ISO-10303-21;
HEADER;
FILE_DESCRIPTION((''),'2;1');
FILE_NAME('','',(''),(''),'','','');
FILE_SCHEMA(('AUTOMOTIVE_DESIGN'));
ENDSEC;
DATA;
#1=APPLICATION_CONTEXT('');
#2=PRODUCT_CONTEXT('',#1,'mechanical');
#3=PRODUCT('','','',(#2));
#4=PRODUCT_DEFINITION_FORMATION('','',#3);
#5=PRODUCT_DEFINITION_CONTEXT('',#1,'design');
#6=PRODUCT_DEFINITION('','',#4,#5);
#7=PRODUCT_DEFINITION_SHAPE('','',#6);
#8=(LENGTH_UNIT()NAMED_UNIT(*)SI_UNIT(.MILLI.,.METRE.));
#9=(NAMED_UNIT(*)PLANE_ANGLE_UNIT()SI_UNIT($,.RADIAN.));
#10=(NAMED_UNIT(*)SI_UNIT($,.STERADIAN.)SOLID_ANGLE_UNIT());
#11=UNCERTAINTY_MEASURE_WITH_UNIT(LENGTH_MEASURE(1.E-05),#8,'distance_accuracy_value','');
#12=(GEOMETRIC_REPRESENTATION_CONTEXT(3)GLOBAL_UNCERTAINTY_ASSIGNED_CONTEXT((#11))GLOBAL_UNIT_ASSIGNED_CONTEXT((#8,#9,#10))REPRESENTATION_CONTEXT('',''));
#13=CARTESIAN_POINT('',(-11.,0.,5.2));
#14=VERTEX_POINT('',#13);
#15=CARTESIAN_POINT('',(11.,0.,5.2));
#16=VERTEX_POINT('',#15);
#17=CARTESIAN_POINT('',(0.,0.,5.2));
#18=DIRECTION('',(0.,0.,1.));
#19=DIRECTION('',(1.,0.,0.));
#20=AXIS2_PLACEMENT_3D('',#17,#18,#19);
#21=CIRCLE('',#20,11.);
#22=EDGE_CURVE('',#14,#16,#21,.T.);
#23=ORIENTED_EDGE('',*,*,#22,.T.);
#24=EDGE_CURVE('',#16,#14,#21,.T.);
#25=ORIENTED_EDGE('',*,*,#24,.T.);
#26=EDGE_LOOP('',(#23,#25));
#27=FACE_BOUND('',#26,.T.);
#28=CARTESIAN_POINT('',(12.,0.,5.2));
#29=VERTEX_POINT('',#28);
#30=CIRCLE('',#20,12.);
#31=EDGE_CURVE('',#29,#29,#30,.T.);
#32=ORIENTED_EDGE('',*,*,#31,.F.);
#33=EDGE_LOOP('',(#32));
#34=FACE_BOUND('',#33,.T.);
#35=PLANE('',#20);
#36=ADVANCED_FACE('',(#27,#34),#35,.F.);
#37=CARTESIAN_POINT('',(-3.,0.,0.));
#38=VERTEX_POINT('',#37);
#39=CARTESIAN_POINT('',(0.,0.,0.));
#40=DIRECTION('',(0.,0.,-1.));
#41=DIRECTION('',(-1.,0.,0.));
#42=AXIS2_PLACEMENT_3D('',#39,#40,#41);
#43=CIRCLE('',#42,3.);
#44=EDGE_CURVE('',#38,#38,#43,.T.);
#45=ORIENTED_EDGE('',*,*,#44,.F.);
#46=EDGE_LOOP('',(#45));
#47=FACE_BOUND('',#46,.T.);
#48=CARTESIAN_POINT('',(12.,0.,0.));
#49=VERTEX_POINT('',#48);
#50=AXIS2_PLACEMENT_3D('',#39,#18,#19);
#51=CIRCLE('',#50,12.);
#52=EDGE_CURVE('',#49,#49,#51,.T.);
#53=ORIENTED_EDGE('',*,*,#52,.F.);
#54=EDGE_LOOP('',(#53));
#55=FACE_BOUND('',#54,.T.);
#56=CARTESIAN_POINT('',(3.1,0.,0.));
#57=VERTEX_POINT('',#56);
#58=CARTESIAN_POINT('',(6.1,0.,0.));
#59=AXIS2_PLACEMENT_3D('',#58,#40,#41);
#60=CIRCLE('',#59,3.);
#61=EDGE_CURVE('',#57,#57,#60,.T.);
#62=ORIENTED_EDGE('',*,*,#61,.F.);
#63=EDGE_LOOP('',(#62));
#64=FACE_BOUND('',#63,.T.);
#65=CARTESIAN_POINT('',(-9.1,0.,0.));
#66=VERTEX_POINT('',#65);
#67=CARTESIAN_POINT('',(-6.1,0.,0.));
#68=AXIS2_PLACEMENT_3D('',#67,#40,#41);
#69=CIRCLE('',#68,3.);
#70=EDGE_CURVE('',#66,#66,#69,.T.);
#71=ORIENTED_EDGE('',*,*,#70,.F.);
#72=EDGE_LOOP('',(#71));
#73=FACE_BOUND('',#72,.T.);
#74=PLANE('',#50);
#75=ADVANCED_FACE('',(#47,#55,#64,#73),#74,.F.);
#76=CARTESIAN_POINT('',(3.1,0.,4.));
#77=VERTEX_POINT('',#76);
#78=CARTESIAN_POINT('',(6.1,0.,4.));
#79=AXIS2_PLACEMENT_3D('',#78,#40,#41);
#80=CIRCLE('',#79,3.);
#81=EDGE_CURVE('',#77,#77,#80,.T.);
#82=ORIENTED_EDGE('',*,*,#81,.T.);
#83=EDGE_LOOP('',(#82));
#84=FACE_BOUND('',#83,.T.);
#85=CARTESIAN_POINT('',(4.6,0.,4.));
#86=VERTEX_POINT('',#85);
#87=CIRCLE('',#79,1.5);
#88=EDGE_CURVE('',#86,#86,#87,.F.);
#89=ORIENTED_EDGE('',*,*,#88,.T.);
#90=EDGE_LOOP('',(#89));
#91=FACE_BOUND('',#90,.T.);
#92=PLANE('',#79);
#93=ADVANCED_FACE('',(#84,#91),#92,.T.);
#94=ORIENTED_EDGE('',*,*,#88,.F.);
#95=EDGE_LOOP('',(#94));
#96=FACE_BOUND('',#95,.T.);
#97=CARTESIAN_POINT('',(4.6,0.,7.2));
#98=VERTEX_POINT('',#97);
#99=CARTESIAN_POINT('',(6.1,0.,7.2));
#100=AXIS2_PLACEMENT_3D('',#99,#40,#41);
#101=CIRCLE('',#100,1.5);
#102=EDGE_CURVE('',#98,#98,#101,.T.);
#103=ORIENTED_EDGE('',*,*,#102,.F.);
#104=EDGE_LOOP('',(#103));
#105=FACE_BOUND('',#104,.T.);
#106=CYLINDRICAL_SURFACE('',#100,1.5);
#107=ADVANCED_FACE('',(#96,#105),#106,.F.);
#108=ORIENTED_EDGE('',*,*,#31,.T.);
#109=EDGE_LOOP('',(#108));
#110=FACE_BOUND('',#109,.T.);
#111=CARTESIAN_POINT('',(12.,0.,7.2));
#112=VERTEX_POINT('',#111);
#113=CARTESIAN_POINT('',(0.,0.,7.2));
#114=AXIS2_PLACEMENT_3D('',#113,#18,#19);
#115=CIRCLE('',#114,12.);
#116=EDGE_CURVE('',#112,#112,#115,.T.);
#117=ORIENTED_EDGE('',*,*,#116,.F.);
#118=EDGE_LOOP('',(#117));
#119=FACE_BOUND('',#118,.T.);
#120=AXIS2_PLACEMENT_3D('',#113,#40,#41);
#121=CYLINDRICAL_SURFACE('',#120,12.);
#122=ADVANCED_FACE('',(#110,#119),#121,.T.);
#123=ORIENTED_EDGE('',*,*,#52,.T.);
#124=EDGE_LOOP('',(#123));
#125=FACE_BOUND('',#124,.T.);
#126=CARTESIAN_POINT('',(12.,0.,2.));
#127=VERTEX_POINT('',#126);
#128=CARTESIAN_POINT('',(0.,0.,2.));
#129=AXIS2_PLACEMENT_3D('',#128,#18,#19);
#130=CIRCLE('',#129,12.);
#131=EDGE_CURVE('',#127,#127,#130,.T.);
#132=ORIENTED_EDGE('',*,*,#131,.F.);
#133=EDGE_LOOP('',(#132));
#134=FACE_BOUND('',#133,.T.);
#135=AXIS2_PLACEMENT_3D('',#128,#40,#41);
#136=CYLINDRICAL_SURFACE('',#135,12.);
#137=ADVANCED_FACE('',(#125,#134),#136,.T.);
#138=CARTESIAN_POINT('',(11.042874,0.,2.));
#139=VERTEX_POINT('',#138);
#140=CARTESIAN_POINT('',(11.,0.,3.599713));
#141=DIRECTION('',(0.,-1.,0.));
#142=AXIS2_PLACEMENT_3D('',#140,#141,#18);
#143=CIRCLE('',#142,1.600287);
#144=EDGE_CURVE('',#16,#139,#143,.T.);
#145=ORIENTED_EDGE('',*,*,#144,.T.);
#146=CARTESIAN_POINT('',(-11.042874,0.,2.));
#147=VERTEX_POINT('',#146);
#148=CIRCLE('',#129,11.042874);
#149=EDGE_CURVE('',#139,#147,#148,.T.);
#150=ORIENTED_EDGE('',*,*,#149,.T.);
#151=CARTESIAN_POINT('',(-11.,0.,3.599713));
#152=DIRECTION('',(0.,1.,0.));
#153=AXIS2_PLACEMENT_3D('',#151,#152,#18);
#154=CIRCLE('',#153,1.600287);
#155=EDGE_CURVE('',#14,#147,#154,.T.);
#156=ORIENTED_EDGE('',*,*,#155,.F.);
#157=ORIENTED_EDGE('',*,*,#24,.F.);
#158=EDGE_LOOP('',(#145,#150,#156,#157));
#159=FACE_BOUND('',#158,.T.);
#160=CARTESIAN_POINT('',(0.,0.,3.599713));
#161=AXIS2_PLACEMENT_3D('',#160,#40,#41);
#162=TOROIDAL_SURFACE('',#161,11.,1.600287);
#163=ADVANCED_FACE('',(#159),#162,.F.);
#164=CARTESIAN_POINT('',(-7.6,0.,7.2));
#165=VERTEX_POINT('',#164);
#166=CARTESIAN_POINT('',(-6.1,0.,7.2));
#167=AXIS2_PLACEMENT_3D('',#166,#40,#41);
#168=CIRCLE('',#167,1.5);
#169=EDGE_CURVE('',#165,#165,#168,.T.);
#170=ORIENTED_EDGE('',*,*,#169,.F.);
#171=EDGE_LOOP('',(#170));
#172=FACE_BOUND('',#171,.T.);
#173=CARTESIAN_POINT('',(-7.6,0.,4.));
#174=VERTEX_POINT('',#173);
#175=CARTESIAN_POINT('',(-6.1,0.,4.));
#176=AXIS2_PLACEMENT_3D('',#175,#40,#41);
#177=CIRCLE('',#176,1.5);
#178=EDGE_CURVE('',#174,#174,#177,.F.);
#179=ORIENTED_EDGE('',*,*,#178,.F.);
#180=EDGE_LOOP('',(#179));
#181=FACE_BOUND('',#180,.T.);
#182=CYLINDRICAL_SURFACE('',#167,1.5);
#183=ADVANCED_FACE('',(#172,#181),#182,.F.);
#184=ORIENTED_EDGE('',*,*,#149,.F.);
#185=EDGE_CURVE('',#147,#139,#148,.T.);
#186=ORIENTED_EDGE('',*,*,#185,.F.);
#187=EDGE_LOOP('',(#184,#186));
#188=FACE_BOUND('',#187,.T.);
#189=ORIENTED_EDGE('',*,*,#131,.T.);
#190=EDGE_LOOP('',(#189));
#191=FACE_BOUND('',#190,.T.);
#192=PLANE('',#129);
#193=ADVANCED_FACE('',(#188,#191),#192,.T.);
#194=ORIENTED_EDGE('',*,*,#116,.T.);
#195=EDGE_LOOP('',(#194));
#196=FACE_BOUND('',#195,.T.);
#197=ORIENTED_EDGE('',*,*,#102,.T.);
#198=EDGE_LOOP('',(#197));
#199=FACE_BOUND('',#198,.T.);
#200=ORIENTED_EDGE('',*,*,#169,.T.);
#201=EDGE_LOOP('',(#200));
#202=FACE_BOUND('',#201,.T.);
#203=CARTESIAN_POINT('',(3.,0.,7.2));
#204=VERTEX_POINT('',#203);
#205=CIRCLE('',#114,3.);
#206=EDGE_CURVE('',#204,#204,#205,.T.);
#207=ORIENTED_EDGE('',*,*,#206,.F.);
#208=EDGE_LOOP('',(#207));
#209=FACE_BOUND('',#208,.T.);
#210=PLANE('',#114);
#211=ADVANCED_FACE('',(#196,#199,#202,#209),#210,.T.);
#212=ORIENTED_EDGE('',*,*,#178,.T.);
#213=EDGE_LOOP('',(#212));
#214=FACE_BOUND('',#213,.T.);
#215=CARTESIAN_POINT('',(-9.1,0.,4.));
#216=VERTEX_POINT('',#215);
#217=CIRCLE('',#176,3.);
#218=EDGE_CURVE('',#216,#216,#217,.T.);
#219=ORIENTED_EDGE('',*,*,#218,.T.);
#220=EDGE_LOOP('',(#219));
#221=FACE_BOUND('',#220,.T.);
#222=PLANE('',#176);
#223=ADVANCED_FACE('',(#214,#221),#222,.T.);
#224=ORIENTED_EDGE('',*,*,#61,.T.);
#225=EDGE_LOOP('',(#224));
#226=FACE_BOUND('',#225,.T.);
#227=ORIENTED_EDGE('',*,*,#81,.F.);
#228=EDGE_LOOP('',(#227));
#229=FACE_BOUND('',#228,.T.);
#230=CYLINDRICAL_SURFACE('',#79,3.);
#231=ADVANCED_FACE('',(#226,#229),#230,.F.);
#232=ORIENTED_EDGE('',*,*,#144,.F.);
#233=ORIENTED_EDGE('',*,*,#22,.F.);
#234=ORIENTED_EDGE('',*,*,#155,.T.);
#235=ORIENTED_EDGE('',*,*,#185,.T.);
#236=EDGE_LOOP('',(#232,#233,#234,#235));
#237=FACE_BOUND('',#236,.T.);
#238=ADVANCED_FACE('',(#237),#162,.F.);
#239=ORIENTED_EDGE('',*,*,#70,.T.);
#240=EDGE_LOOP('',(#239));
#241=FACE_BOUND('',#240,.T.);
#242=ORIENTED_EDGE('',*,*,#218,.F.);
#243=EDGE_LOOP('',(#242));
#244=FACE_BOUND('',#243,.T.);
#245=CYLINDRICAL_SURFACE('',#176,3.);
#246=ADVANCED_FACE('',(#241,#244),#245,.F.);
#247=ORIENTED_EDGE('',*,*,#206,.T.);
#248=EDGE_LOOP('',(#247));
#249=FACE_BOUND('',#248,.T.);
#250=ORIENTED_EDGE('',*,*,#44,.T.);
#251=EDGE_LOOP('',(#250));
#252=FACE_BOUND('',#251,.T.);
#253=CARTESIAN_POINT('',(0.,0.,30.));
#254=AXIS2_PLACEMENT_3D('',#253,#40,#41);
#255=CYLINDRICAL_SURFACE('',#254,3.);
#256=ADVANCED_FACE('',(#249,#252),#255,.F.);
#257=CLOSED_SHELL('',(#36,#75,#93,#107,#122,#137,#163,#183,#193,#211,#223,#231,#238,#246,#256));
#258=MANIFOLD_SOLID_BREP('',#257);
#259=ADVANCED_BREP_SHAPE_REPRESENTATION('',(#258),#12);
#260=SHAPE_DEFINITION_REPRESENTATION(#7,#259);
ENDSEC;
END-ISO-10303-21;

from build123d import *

# Parameters (mm, degrees)
SKETCH_1_R          = 12
EXTRUDE_1_DEPTH     = 2
SKETCH_2_R          = 11
EXTRUDE_2_DEPTH     = 3.2
SKETCH_3_R          = 12
EXTRUDE_3_DEPTH     = 2
SKETCH_4_R          = 3
CUT_EXTRUDE_1_DEPTH = 30
SKETCH_5_R          = 1.5
CUT_EXTRUDE_4_DEPTH = 19.434749795
SKETCH_3D_2_R       = 1.600287212
SKETCH_7_R          = 3
CUT_EXTRUDE_9_DEPTH = 4


with BuildPart() as part:
    # ｽｹｯﾁ1 → ﾎﾞｽ - 押し出し1 (new body)
    with BuildSketch(Plane.XY):
        Circle(SKETCH_1_R)
    extrude(amount=EXTRUDE_1_DEPTH)

    # ｽｹｯﾁ2 → ﾎﾞｽ - 押し出し2 (add)
    with BuildSketch(Plane.XY.offset(2)):
        Circle(SKETCH_2_R)
    extrude(amount=EXTRUDE_2_DEPTH)

    # ｽｹｯﾁ3 → ﾎﾞｽ - 押し出し3 (add)
    with BuildSketch(Plane.XY.offset(5.2)):
        Circle(SKETCH_3_R)
    extrude(amount=EXTRUDE_3_DEPTH)

    # ｽｹｯﾁ4 → ｶｯﾄ - 押し出し1 (cut)
    with BuildSketch(Plane(origin=(0, 0, 0), x_dir=(-1, 0, 0), z_dir=(0, 0, -1))):
        Circle(SKETCH_4_R)
    extrude(amount=-CUT_EXTRUDE_1_DEPTH, mode=Mode.SUBTRACT)

    # ｽｹｯﾁ5 → ｶｯﾄ - 押し出し4 (cut, through all)
    with BuildSketch(Plane(origin=(0, 0, 0), x_dir=(-1, 0, 0), z_dir=(0, 0, -1))):
        with Locations((-6.1, 0)):
            Circle(SKETCH_5_R)
        with Locations((6.1, 0)):
            Circle(SKETCH_5_R)
    extrude(amount=-CUT_EXTRUDE_4_DEPTH, mode=Mode.SUBTRACT)

    # ｶｯﾄ - ｽｲｰﾌﾟ2: sweep along a curve in space
    with BuildLine() as sweep_2_path:
        ThreePointArc((11, 0, 5.2), (7.778174593, 7.778174593, 5.2), (0, 11, 5.2))
        ThreePointArc((0, 11, 5.2), (-7.778174593, 7.778174593, 5.2), (-11, 0, 5.2))
        ThreePointArc((-11, 0, 5.2), (-7.778174593, -7.778174593, 5.2), (0, -11, 5.2))
        ThreePointArc((0, -11, 5.2), (7.778174593, -7.778174593, 5.2), (11, 0, 5.2))
    # Sketch 3D_2 → ｶｯﾄ - ｽｲｰﾌﾟ2 (sweep, cut)
    with BuildSketch(Plane(origin=(-11, 0, 5.2), x_dir=(0, 0, -1), z_dir=(0, -1, 0))):
        with Locations((1.600287212, 0)):
            Circle(SKETCH_3D_2_R)
    sweep(path=sweep_2_path.line, mode=Mode.SUBTRACT)

    # ｽｹｯﾁ7 → ｶｯﾄ - 押し出し9 (cut)
    with BuildSketch(Plane(origin=(0, 0, 0), x_dir=(-1, 0, 0), z_dir=(0, 0, -1))):
        with Locations((-6.1, 0)):
            Circle(SKETCH_7_R)
        with Locations((6.1, 0)):
            Circle(SKETCH_7_R)
    extrude(amount=-CUT_EXTRUDE_9_DEPTH, mode=Mode.SUBTRACT)


solid = part.part
